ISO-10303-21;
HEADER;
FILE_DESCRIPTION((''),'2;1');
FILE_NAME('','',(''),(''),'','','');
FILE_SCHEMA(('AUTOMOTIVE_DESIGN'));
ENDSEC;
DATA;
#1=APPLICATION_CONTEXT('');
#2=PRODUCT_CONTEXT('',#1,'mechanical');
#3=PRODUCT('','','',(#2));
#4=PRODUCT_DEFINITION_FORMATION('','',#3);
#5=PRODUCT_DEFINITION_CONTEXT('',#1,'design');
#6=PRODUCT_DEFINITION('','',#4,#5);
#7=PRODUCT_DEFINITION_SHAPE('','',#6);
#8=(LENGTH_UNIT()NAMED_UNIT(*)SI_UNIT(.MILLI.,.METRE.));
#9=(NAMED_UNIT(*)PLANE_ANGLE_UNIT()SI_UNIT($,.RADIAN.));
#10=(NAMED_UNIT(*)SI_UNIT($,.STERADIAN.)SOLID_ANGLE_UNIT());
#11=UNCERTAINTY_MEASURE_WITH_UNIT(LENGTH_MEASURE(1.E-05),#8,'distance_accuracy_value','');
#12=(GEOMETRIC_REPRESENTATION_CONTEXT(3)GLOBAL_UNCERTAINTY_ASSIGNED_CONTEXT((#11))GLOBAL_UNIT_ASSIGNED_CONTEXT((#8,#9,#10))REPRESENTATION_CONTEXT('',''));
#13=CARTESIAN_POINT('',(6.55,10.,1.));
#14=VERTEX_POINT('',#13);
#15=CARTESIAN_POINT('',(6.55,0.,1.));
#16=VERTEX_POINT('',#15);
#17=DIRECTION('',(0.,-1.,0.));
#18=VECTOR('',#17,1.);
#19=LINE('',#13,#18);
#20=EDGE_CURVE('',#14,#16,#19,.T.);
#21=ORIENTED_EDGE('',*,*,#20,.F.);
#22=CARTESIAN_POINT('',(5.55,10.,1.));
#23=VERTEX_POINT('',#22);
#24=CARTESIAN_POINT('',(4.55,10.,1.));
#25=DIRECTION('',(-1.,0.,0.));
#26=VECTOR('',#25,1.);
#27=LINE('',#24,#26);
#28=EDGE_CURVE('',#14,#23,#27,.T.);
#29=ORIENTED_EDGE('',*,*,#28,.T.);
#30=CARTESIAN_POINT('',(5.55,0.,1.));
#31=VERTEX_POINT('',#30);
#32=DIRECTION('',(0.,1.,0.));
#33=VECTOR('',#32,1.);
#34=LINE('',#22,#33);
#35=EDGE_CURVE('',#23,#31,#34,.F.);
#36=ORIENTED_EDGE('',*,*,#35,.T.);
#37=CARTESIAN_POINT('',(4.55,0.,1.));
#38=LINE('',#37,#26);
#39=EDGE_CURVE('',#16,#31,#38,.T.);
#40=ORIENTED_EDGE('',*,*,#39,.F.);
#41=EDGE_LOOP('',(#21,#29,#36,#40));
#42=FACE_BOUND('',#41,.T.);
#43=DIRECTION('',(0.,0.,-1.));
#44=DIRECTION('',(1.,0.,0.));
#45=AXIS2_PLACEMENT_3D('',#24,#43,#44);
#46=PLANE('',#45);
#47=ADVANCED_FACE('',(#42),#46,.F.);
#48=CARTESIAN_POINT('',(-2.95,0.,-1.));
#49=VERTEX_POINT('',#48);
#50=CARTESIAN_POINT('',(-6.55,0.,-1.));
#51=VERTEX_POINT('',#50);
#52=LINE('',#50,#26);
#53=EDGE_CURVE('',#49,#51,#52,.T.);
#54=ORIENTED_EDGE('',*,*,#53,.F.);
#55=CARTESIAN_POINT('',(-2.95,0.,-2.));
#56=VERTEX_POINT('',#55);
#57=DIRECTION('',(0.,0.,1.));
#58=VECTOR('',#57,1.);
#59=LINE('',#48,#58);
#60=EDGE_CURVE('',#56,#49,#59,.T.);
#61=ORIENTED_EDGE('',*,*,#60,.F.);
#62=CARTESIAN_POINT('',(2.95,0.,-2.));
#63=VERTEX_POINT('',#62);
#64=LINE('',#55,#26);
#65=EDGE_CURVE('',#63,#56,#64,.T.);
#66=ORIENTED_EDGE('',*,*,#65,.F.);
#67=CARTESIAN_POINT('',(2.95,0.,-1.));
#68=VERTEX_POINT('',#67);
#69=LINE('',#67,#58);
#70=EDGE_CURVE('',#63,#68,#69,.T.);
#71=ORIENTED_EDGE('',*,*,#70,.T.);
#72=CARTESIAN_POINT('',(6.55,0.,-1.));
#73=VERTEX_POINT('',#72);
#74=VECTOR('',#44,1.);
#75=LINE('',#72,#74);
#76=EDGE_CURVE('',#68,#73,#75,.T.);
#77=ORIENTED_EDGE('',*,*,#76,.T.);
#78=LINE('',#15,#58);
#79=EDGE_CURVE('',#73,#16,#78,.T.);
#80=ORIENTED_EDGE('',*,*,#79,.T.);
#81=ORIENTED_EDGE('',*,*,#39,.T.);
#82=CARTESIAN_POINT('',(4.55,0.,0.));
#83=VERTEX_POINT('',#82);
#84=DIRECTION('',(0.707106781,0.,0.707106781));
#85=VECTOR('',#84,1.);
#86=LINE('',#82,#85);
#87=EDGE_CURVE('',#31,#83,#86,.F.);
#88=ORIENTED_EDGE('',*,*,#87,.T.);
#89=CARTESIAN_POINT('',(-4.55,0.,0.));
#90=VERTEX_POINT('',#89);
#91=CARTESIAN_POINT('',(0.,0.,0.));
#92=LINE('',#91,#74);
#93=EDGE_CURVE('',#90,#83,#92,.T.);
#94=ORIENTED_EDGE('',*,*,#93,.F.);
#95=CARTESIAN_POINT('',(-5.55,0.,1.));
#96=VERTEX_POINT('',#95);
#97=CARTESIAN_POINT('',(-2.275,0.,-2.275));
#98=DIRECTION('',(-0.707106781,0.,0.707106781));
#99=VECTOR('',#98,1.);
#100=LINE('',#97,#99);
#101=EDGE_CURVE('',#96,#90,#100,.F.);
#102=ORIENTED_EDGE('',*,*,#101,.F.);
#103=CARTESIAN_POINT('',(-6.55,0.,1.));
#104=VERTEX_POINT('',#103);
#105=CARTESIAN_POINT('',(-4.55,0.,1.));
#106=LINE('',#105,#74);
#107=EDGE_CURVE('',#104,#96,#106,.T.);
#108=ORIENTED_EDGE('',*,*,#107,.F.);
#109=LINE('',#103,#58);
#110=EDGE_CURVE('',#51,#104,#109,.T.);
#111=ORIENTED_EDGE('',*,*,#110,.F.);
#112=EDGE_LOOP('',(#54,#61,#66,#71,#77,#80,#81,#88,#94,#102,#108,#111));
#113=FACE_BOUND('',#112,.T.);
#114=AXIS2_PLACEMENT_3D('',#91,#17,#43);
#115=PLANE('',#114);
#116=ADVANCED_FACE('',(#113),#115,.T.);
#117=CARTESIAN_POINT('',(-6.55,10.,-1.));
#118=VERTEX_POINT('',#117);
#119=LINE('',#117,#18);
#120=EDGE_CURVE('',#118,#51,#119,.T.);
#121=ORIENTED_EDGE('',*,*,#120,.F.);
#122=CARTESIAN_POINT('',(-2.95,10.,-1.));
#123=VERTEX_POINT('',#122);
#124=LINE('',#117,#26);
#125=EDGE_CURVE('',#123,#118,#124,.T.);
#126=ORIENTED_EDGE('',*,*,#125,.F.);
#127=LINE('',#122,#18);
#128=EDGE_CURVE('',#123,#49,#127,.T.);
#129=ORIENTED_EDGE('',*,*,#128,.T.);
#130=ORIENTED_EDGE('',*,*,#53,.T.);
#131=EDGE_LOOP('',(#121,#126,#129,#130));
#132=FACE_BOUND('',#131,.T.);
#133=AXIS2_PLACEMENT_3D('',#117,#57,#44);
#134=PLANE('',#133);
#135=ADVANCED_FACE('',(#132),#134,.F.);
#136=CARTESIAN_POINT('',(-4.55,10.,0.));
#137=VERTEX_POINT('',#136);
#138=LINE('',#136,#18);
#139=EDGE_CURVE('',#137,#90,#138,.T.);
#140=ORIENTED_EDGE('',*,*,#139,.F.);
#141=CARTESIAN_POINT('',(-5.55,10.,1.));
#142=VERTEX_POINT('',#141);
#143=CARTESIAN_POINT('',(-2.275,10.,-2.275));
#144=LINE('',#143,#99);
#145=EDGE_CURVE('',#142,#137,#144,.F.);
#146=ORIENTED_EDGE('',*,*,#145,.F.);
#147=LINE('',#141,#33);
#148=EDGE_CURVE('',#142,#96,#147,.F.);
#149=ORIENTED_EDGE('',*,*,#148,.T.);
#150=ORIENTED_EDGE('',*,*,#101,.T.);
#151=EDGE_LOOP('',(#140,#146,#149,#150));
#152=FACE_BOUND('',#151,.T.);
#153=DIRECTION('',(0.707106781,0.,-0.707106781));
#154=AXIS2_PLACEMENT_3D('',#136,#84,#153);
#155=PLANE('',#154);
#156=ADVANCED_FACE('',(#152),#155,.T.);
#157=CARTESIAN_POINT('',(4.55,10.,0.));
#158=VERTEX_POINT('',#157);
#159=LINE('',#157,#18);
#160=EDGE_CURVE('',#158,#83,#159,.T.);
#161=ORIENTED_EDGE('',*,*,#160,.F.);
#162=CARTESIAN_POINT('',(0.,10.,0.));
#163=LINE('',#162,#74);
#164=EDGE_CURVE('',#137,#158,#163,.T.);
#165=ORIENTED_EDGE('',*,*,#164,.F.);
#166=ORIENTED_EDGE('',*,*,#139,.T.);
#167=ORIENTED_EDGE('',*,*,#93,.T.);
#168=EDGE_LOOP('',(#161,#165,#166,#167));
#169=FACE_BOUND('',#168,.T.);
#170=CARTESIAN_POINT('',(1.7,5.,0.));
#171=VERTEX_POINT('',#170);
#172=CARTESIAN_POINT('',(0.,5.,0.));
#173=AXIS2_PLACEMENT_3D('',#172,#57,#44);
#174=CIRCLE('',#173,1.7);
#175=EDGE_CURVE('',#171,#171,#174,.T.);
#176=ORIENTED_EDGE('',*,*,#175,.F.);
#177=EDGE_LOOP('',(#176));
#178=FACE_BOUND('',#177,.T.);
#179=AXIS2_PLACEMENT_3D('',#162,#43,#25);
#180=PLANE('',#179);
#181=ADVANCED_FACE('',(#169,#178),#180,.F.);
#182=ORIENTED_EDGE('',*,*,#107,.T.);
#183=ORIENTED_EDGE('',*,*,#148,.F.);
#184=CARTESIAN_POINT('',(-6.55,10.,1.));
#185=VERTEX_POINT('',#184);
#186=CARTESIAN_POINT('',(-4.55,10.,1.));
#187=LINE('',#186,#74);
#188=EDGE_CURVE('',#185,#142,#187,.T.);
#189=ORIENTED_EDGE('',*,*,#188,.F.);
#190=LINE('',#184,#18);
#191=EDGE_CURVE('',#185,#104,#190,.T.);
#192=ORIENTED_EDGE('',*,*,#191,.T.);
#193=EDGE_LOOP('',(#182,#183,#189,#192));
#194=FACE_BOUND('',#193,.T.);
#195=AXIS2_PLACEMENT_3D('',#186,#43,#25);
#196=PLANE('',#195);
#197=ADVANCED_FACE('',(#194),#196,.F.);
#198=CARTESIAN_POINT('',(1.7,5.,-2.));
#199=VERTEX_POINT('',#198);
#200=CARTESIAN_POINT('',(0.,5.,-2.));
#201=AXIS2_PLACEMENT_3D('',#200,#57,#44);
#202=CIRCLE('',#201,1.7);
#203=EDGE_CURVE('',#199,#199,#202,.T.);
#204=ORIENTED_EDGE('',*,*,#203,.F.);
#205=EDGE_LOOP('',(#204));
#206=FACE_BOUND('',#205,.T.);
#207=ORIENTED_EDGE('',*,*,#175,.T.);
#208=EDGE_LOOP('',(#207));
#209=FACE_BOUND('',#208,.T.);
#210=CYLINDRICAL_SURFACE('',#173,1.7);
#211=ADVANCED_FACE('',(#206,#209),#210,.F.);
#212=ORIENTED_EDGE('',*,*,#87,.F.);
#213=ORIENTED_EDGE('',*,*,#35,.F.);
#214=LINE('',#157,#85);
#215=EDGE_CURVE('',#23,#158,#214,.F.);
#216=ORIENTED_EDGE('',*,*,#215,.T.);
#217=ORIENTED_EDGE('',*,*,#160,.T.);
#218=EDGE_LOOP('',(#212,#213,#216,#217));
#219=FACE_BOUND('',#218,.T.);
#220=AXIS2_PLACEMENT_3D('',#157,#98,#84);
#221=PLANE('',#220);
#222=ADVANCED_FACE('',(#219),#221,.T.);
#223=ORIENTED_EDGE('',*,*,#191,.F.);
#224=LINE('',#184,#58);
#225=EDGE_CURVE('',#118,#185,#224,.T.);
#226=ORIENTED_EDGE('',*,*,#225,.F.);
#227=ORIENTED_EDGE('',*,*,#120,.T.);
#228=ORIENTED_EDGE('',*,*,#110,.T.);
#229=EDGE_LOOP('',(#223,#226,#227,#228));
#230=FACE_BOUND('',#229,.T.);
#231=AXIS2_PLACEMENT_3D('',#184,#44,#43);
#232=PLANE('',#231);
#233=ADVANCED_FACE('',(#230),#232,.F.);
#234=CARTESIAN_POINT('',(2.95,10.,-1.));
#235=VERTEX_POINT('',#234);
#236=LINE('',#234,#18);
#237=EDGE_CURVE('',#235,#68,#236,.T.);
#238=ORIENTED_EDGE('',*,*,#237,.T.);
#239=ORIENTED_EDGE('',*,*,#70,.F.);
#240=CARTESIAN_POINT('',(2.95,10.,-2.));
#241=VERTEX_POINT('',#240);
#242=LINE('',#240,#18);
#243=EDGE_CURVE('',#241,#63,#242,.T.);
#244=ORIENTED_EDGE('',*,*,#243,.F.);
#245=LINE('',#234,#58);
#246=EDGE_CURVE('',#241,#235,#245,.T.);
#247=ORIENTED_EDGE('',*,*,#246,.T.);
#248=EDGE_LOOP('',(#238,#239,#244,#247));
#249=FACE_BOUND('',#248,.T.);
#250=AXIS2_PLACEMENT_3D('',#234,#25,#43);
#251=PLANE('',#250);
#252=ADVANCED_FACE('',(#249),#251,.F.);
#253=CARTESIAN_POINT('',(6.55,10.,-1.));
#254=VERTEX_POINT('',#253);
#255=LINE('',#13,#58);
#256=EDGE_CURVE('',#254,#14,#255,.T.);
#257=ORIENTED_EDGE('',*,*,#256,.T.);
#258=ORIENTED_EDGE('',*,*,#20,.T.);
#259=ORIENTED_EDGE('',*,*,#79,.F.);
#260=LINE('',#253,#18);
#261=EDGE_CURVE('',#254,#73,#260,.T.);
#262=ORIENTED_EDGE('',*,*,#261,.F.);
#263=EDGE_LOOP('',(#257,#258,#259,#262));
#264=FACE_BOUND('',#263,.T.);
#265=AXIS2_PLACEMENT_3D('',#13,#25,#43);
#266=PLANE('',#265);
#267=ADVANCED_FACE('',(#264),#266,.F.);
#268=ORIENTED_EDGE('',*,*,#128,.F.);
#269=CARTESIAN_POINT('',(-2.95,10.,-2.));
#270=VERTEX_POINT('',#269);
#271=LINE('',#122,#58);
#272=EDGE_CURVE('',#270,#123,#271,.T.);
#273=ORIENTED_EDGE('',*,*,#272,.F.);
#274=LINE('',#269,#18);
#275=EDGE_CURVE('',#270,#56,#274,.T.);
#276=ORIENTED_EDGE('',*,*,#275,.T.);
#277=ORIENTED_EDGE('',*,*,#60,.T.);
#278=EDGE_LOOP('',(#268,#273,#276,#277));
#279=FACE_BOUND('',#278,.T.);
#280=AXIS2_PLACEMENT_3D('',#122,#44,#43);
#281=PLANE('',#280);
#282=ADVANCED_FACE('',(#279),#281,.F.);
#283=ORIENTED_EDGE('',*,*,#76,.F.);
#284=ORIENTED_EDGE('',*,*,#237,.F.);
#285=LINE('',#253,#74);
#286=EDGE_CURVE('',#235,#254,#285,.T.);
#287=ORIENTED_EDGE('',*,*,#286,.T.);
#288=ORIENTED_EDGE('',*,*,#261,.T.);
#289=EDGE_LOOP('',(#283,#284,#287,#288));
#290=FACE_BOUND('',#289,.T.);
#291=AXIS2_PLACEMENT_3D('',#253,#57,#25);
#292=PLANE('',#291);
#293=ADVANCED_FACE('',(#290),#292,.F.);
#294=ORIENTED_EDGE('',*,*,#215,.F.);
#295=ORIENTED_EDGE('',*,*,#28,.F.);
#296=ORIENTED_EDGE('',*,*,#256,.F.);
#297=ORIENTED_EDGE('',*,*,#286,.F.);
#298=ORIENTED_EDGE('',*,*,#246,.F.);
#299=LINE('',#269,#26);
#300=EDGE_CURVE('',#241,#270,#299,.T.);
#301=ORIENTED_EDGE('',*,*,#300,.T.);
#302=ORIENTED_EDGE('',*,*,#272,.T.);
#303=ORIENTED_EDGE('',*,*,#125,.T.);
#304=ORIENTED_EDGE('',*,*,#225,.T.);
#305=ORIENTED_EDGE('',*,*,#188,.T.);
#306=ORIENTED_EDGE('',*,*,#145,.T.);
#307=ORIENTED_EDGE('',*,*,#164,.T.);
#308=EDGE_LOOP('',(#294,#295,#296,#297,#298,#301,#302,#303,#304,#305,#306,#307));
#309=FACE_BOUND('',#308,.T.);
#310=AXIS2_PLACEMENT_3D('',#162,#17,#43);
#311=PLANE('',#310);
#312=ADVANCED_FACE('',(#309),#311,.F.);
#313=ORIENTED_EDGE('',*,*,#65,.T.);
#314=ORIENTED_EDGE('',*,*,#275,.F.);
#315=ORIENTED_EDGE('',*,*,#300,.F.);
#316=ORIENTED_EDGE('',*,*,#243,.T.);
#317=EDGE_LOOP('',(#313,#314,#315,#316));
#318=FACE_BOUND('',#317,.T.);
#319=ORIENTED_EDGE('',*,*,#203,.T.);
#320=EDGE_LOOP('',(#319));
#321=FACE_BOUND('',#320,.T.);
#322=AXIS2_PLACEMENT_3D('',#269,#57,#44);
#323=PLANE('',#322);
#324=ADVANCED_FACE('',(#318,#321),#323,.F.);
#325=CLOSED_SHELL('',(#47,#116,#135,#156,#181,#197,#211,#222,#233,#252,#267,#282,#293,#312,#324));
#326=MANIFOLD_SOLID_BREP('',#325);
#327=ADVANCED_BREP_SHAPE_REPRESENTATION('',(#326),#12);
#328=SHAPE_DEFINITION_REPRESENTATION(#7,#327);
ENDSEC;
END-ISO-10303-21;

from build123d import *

# Parameters (mm, degrees)
AUFSATZ_LINEAR_AUSTRAGEN1_DEPTH = 10
DURCHGANGSLOCH_F_R_M31_D        = 3.4
FORMSCHR_GE1_ANGLE              = 45


with BuildPart() as part:
    # Skizze1 → Aufsatz-Linear austragen1 (new body)
    with BuildSketch(Plane(origin=(0, 0, 0), x_dir=(1, 0, 0), z_dir=(0, 1, 0))):
        Polygon((0, 0), (-4.55, 0), (-4.55, -1), (-6.55, -1), (-6.55, 1), (-2.95, 1), (-2.95, 2), (0, 2), align=None)
    extrude(amount=AUFSATZ_LINEAR_AUSTRAGEN1_DEPTH)

    # Spiegeln1: part across plane


with BuildPart() as part_1:
    add(part.part)
    add(part.part.mirror(Plane(origin=(0, 10, -2), x_dir=(0, 0, 1), z_dir=(-1, 0, 0))))

    # Durchgangsloch für M31 (through all)
    with Locations(Plane.XY):
        with Locations((0, 5)):
            Hole(DURCHGANGSLOCH_F_R_M31_D / 2)

    # Formschräge1
    formschr_ge1_faces = [part_1.faces().sort_by_distance(p)[0] for p in [
        (4.55, 5, 0.5),
        (-4.55, 5, 0.5),
    ]]
    draft(formschr_ge1_faces, Plane(origin=(0, 10, 0), x_dir=(1, 0, 0), z_dir=(0, 0, 1)), FORMSCHR_GE1_ANGLE)


solid = part_1.part
